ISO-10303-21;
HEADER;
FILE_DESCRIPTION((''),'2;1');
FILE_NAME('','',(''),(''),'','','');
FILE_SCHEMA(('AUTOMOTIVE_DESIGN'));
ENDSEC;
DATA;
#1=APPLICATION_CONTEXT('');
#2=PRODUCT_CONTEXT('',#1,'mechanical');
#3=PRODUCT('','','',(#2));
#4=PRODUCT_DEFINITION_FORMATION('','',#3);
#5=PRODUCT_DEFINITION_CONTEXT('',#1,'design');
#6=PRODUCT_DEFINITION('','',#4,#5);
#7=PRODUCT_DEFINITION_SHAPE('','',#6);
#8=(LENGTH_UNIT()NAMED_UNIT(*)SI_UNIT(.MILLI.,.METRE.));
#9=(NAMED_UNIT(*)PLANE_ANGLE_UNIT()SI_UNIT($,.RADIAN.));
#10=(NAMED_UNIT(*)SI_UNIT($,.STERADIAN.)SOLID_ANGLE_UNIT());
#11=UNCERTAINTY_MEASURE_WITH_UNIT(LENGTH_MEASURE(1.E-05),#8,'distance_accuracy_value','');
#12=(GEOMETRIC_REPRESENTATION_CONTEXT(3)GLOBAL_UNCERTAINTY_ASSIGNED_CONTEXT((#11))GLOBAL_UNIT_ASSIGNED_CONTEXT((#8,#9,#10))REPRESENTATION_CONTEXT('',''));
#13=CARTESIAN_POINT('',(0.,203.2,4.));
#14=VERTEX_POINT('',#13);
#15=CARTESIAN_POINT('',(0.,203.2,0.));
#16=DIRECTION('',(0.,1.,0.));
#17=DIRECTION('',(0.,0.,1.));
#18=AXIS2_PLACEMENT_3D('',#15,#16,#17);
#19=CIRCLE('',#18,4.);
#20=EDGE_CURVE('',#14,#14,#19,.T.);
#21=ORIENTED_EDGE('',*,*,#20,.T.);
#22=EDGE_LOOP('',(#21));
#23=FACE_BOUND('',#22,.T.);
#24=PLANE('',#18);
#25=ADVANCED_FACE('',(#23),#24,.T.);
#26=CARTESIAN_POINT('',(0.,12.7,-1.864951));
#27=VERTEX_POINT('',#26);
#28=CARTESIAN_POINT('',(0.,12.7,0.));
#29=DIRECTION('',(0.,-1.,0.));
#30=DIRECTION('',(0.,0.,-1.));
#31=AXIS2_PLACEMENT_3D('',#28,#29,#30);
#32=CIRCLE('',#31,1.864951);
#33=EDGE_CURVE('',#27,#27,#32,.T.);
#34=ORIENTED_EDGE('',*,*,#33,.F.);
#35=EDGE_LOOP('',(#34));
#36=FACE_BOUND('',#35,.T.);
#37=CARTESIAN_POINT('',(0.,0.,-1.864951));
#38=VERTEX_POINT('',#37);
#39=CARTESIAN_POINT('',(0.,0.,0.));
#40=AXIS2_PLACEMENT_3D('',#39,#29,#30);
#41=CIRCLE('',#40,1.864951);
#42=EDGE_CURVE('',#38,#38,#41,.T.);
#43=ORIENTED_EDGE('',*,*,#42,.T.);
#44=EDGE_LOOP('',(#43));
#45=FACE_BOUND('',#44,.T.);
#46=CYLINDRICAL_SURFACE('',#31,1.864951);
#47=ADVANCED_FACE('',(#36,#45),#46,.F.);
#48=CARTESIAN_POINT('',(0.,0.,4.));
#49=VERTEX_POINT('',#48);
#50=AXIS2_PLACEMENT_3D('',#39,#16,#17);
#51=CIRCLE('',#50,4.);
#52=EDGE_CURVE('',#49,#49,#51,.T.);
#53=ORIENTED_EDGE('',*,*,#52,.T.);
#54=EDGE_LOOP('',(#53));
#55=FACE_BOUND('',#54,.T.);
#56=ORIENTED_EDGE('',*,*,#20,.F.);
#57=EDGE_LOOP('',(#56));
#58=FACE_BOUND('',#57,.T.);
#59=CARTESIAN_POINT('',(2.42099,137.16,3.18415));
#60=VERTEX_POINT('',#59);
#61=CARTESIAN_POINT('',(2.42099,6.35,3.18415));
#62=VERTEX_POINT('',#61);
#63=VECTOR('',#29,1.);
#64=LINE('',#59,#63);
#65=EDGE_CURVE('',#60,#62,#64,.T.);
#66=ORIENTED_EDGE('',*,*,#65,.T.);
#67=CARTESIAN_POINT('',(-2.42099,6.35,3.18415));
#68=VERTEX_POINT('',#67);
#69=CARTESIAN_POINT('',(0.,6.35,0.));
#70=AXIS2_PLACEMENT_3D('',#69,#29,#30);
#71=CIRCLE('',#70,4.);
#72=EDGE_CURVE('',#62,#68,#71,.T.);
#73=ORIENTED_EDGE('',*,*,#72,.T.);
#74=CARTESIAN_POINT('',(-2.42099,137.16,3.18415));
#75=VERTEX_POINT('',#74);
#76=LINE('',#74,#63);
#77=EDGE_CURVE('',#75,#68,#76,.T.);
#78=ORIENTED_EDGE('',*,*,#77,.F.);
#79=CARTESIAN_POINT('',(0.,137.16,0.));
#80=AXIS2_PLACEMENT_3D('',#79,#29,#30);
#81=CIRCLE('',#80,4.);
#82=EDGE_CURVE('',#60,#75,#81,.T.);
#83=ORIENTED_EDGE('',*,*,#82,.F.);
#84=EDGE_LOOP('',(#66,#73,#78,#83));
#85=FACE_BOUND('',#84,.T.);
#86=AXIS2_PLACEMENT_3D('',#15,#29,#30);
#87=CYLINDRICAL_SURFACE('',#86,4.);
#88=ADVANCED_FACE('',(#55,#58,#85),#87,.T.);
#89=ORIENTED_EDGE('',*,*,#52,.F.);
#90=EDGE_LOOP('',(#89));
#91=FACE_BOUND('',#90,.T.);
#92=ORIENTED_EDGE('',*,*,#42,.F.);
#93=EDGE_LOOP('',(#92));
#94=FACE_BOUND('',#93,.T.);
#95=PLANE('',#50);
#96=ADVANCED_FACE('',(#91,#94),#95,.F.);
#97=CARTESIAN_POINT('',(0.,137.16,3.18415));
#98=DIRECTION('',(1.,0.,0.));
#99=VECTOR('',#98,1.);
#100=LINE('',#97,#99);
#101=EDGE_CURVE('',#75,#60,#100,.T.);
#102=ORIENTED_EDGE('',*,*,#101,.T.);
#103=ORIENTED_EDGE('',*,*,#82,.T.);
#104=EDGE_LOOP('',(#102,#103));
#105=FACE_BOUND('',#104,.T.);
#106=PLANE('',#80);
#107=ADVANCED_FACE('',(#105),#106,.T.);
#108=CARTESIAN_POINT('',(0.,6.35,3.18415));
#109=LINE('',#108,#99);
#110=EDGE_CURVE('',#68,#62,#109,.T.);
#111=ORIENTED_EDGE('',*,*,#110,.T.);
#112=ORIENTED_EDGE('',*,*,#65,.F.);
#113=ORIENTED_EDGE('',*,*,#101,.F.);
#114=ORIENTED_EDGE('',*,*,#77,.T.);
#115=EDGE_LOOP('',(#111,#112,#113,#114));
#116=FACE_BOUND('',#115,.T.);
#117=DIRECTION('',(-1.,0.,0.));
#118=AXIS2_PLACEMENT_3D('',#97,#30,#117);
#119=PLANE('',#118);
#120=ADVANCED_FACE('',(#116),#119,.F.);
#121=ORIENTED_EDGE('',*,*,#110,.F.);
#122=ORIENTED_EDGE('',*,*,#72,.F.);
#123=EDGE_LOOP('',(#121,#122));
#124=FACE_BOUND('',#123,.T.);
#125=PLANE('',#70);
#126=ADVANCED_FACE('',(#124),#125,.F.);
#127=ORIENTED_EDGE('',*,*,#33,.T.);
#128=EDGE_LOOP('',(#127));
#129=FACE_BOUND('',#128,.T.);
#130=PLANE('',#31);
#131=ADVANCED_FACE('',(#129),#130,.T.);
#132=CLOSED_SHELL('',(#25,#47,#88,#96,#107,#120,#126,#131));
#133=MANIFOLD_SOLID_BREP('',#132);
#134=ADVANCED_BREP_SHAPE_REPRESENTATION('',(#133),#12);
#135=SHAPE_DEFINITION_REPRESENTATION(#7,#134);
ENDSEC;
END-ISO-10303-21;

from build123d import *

# Parameters (mm, degrees)
SKETCH1_R           = 4
BOSS_EXTRUDE1_DEPTH = 203.2
SKETCH2_R           = 1.864950538
CUT_EXTRUDE1_DEPTH  = 12.7
CUT_EXTRUDE2_START  = -6.35
CUT_EXTRUDE2_DEPTH  = 130.81


with BuildPart() as part:
    # Sketch1 → Boss-Extrude1 (new body)
    with BuildSketch(Plane(origin=(0, 0, 0), x_dir=(1, 0, 0), z_dir=(0, 1, 0))):
        with Locations(Location((0, 0, 0), (0, 0, 270))):
            Circle(SKETCH1_R)
    extrude(amount=BOSS_EXTRUDE1_DEPTH)

    # Sketch2 → Cut-Extrude1 (cut)
    with BuildSketch(Plane.XZ):
        with Locations(Location((0, 0, 0), (0, 0, 270))):
            Circle(SKETCH2_R)
    extrude(amount=-CUT_EXTRUDE1_DEPTH, mode=Mode.SUBTRACT)

    # Sketch4 → Cut-Extrude2 (cut)
    with BuildSketch(Plane.XZ.offset(CUT_EXTRUDE2_START)):
        Polygon((-31.691808684, 3.184149537), (-2.420989824, 3.184149537), (2.420989824, 3.184149537), (31.691808684, 3.184149537), (31.691808684, 61.725787257), (-31.691808684, 61.725787257), align=None)
    extrude(amount=-CUT_EXTRUDE2_DEPTH, mode=Mode.SUBTRACT)


solid = part.part
